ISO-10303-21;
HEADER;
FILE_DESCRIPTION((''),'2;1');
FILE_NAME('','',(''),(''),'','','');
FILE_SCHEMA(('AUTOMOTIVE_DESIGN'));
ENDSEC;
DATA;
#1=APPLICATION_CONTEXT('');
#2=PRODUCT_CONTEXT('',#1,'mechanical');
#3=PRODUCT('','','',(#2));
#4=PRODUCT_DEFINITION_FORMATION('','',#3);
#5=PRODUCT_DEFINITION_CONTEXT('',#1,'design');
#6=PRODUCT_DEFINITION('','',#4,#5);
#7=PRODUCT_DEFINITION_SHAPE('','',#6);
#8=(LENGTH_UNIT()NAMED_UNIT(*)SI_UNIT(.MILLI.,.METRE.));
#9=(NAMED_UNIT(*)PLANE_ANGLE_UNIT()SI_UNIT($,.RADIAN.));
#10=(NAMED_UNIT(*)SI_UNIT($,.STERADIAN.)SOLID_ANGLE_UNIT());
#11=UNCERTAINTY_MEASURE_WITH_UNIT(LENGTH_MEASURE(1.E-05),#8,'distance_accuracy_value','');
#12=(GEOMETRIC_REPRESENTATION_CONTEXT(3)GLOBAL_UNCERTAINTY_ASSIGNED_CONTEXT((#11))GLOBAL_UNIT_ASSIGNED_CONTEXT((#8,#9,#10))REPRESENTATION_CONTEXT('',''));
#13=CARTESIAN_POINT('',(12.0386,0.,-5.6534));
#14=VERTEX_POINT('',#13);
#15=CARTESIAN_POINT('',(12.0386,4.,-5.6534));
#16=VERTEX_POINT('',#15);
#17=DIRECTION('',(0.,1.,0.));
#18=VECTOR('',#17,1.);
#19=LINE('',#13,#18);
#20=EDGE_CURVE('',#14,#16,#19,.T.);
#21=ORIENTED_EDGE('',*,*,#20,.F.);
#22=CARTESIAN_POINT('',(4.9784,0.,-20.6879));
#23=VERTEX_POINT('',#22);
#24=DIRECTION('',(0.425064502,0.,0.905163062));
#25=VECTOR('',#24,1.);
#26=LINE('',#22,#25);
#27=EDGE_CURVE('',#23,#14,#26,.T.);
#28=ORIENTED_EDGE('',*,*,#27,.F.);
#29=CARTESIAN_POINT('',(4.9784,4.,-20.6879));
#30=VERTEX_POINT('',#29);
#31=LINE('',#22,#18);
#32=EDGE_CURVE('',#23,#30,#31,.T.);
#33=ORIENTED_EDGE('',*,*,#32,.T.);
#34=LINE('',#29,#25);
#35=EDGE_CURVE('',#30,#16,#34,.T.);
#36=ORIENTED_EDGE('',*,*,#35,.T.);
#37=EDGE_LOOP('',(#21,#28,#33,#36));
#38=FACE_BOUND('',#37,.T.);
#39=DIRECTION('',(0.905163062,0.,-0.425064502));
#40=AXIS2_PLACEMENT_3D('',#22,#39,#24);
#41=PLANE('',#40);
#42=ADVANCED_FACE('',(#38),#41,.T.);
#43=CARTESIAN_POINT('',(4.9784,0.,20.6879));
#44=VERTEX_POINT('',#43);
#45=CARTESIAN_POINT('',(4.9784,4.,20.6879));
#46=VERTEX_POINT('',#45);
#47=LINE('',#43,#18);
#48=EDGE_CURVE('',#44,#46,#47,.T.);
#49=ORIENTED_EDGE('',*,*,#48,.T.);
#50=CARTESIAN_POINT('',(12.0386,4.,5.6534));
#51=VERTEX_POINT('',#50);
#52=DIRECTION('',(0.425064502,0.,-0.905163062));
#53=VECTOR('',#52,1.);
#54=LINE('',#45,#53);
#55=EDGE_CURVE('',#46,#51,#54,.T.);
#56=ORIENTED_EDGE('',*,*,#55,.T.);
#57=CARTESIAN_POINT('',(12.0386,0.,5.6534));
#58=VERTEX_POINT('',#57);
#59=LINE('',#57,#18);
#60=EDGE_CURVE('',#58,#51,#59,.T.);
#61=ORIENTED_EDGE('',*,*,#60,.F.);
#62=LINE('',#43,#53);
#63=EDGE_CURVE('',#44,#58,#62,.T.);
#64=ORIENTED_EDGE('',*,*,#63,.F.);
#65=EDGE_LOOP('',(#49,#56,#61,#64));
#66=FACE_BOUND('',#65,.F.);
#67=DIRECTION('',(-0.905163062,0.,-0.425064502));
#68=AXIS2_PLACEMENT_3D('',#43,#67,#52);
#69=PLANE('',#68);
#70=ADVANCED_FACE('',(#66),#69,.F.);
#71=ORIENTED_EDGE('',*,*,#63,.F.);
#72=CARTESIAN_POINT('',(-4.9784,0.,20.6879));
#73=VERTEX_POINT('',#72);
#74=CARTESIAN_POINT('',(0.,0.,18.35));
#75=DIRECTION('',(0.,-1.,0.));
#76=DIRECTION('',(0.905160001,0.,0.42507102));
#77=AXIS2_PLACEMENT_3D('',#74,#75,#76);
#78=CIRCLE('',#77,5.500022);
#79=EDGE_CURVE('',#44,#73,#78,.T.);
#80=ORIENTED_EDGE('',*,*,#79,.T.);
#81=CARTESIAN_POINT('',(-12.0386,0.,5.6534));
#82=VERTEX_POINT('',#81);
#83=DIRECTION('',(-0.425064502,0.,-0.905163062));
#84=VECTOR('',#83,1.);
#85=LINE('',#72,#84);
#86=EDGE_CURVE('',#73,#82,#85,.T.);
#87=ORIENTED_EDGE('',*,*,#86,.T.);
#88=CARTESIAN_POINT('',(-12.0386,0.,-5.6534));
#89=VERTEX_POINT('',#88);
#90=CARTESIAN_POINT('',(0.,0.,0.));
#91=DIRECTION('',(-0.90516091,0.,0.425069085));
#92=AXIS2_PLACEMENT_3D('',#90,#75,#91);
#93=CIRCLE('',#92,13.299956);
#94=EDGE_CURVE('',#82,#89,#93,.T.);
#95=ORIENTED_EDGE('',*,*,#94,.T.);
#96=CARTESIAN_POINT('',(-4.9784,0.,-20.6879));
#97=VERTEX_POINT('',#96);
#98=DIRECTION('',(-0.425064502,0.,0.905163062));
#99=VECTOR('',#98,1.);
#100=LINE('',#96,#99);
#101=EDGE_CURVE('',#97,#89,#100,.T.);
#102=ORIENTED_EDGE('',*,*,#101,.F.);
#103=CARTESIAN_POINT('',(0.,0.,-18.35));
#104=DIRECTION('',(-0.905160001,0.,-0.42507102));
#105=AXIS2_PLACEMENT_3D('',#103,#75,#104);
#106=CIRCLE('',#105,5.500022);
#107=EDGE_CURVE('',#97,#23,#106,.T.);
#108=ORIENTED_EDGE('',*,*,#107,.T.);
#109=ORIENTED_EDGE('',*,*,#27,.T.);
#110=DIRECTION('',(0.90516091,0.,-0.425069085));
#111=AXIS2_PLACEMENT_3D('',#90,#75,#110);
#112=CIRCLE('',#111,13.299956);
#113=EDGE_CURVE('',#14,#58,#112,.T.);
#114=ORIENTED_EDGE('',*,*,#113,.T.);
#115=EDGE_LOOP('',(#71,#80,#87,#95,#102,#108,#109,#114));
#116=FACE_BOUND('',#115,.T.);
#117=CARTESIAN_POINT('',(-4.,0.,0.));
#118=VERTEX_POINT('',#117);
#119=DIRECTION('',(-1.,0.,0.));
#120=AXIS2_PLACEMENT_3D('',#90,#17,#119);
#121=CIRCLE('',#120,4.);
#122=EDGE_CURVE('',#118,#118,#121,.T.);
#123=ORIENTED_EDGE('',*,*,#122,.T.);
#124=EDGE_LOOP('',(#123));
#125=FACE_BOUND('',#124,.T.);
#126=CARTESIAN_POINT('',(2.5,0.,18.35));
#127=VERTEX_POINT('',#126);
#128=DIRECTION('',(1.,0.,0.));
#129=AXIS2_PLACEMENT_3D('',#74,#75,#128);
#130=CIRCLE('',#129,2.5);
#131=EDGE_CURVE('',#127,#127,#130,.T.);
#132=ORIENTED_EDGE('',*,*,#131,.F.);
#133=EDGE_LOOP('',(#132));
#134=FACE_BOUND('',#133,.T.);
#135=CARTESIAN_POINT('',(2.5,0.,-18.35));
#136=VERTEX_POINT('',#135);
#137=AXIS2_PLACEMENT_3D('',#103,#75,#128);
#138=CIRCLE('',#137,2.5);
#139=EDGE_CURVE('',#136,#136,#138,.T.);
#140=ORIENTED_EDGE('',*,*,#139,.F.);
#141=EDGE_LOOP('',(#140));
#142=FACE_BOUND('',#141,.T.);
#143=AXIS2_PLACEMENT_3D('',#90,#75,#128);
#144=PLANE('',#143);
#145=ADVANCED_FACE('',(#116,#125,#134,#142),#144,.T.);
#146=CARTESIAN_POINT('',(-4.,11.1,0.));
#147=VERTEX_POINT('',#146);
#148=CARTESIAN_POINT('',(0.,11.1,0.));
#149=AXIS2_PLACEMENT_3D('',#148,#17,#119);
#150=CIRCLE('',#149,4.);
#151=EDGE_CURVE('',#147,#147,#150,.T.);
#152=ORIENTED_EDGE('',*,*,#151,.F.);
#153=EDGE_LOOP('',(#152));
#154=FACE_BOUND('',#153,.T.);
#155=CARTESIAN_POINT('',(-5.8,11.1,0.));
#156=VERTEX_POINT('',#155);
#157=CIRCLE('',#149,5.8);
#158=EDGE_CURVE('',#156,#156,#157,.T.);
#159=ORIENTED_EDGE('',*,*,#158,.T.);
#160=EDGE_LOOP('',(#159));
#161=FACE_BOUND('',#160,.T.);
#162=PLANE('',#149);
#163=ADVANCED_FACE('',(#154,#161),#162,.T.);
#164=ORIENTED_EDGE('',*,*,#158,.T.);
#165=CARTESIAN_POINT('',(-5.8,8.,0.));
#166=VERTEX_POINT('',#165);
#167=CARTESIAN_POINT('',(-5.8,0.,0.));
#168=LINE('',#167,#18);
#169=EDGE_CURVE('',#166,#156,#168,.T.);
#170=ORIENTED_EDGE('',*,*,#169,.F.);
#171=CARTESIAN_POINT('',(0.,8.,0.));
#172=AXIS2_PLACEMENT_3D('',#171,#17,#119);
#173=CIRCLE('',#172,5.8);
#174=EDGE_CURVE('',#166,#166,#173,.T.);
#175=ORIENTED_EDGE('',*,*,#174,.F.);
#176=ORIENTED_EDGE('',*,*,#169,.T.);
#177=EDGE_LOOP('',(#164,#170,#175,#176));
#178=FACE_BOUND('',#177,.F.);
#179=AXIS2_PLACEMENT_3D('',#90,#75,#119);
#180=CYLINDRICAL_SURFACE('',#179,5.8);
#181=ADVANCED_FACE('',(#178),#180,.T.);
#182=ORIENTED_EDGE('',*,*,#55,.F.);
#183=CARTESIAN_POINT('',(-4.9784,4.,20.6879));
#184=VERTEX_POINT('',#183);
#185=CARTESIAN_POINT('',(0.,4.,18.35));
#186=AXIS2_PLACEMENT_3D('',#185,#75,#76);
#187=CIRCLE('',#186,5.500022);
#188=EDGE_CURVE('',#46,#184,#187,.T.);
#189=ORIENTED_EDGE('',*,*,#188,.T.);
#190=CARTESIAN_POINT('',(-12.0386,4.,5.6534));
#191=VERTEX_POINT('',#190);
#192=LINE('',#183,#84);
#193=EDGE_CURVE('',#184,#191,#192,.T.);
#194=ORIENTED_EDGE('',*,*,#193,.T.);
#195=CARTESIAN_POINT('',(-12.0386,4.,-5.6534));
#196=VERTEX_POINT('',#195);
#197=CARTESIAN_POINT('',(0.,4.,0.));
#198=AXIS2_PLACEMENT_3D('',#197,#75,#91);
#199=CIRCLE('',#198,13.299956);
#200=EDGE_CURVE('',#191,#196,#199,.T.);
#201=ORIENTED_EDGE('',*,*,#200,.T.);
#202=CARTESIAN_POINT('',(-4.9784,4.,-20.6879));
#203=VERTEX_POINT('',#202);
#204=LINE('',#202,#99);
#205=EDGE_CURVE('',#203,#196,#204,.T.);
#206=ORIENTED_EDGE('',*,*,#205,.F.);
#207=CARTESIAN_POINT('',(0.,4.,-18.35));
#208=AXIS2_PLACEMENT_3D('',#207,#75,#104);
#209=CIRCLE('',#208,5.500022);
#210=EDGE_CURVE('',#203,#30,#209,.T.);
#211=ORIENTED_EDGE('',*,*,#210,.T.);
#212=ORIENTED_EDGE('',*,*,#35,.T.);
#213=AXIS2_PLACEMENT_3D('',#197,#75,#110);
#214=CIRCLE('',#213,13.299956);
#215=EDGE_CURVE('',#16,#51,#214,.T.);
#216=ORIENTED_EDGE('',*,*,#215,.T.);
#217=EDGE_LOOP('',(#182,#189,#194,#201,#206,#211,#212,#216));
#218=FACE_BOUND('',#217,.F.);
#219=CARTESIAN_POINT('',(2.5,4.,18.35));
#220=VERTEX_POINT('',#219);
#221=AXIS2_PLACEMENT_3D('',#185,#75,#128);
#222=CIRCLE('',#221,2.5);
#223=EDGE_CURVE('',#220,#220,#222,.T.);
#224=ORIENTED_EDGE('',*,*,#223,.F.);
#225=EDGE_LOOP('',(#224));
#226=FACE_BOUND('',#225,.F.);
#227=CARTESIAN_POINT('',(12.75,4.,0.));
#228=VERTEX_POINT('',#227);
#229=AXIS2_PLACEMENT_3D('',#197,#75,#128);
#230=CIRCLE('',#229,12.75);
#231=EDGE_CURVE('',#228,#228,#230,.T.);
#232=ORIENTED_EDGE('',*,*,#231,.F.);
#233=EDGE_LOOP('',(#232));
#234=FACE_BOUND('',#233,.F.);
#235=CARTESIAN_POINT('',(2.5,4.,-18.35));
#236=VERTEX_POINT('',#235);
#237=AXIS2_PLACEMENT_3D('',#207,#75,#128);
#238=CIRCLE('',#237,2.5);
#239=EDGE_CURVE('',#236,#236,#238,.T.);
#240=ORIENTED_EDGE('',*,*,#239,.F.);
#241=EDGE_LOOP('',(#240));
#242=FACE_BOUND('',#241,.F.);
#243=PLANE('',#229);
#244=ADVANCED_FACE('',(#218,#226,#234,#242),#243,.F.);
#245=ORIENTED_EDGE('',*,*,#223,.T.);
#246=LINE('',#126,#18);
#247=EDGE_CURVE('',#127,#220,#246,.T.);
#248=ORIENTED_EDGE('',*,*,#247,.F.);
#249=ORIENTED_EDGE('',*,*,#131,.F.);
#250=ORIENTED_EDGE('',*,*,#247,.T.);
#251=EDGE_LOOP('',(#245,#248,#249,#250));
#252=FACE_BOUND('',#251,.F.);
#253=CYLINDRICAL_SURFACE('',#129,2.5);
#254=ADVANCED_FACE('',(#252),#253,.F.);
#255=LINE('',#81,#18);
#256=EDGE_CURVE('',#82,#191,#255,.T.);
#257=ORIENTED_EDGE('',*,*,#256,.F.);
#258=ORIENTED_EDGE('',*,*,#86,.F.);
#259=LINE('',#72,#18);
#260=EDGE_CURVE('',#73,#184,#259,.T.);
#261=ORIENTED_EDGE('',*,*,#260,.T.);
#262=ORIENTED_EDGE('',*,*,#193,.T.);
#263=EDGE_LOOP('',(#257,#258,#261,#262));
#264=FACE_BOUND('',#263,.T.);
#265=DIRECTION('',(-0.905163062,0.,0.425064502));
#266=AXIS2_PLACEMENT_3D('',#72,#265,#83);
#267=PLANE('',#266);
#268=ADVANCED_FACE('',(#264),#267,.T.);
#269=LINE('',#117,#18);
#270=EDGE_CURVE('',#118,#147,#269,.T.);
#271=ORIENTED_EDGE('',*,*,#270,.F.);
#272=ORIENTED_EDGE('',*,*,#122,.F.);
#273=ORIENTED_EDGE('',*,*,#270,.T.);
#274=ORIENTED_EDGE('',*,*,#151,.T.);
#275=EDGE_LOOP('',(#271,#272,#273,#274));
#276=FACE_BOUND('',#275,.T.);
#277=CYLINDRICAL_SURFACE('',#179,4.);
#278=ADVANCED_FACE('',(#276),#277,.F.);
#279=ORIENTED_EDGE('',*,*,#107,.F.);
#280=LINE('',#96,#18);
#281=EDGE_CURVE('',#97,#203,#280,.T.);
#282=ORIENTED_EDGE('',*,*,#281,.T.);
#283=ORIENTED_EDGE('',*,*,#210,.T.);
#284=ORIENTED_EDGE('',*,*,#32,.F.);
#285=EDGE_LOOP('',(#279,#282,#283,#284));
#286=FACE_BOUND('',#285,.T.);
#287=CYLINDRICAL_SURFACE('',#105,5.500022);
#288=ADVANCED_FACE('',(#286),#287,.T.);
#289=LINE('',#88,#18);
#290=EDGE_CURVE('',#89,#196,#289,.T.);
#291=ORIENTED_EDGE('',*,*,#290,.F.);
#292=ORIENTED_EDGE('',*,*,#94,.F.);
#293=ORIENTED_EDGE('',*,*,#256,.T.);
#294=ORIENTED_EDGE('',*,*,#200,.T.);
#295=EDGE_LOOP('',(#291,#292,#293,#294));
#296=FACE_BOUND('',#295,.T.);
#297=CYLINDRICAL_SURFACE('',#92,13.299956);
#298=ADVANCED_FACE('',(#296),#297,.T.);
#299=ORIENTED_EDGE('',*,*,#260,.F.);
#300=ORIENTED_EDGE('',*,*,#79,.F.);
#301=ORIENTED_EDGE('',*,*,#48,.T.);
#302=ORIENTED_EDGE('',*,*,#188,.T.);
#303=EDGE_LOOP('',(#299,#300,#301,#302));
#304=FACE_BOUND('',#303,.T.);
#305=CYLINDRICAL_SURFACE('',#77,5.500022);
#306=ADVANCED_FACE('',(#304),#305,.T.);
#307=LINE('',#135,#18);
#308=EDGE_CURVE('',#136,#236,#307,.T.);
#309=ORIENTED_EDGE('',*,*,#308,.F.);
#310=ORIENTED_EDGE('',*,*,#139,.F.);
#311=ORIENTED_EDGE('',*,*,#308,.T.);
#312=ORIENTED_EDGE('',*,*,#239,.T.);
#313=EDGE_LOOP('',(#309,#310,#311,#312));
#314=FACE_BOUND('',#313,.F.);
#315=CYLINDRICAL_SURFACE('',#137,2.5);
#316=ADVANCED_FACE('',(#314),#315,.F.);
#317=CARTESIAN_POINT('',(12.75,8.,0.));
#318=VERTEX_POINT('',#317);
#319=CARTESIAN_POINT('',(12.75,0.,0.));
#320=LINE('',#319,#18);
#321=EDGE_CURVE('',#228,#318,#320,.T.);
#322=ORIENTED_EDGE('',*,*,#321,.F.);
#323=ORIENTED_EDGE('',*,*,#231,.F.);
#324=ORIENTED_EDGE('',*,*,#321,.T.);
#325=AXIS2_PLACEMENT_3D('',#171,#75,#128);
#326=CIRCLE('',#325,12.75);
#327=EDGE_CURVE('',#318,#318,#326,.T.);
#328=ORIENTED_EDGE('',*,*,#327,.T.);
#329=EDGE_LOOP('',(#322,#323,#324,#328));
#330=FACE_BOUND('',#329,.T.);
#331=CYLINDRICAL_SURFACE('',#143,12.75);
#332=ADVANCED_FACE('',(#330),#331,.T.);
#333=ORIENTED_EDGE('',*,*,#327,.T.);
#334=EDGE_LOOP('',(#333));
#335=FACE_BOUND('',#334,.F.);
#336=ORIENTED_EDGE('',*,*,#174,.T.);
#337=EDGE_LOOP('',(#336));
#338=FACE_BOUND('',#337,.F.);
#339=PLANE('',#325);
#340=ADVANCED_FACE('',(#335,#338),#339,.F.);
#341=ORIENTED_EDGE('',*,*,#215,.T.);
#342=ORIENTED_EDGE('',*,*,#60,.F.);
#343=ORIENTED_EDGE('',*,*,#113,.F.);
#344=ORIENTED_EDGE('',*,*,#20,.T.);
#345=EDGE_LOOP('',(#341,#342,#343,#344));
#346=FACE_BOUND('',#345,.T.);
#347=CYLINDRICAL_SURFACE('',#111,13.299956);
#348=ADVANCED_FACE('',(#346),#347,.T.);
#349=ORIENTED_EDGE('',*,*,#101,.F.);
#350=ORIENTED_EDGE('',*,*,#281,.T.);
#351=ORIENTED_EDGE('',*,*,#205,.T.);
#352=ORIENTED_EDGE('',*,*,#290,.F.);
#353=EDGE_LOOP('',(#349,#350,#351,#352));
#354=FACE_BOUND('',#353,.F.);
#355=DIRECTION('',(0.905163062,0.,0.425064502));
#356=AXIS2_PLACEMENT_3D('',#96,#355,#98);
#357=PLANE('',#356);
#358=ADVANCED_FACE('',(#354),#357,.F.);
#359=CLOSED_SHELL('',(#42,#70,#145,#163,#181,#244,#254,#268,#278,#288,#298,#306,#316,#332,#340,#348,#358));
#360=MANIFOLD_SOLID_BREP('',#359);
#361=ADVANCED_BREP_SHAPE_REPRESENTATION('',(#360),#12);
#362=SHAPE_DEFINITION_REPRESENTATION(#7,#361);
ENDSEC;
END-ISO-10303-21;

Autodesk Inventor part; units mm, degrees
ref_plane "YZ Plane" through (0, 0, 0) normal (1, 0, 0) x (0, 1, 0)
ref_plane "XZ Plane" through (0, 0, 0) normal (0, 1, 0) x (-1, 0, 0)
ref_plane "XY Plane" through (0, 0, 0) normal (0, 0, 1) x (1, 0, 0)
sketch "Sketch1" plane through (0, 0, 0) normal (0, 1, 0) x (-1, 0, 0)
  circle A0 centre (0, -18.35) radius 2.5
  circle A1 centre (0, 18.35) radius 2.5
  circle A2 centre (0, 0) radius 4
  circle A3 centre (0, 0) radius 5.8
  circle A4 centre (0, 0) radius 12.75
  line L0 (4.9784, -20.6879) -> (12.0386, -5.6534)
  line L1 (-4.9784, -20.6879) -> (-12.0386, -5.6534)
  line L2 (4.9784, 20.6879) -> (12.0386, 5.6534)
  line L3 (-4.9784, 20.6879) -> (-12.0386, 5.6534)
  arc A5 (-4.9784, -20.6879) -> (4.9784, -20.6879) centre (0, -18.35) ccw
  arc A6 (4.9784, 20.6879) -> (-4.9784, 20.6879) centre (0, 18.35) ccw
  arc A7 (-12.0386, 5.6534) -> (-12.0386, -5.6534) centre (0, 0) ccw
  arc A8 (12.0386, -5.6534) -> (12.0386, 5.6534) centre (0, 0) ccw
  dimension "d2" = 18.35
  dimension "d4" = 18.35
  dimension "d5" = 5
  dimension "d6" = 5
  dimension "d7" = 8
  dimension "d8" = 11.6
  dimension "d9" = 25.5
  dimension "d10" = 0
  dimension "d12" = 0
extrude "Extrusion1" add sketch "Sketch1" along normal blind 11.1 contours A3
sketch "Sketch2" plane through (0, 0, 0) normal (0, -1, 0) x (1, 0, 0)
  circle A0 centre (0, -18.35) radius 2.5
  circle A1 centre (0, 18.35) radius 2.5
  circle A2 centre (0, 0) radius 4
  circle A3 centre (0, 0) radius 5.8
  circle A4 centre (0, 0) radius 12.75
  line L0 (4.9784, -20.6879) -> (12.0386, -5.6534)
  line L1 (-4.9784, -20.6879) -> (-12.0386, -5.6534)
  line L2 (4.9784, 20.6879) -> (12.0386, 5.6534)
  line L3 (-4.9784, 20.6879) -> (-12.0386, 5.6534)
  arc A5 (-4.9784, -20.6879) -> (4.9784, -20.6879) centre (0, -18.35) ccw
  arc A6 (4.9784, 20.6879) -> (-4.9784, 20.6879) centre (0, 18.35) ccw
  arc A7 (-12.0386, 5.6534) -> (-12.0386, -5.6534) centre (0, 0) ccw
  arc A8 (12.0386, -5.6534) -> (12.0386, 5.6534) centre (0, 0) ccw
  dimension "d15" = 18.35
  dimension "d16" = 18.35
  dimension "d17" = 5
  dimension "d18" = 5
  dimension "d19" = 8
  dimension "d20" = 11.6
  dimension "d21" = 25.5
  dimension "d22" = 0
  dimension "d23" = 0
  dimension "d24" = 0
  dimension "d25" = 0
extrude "Extrusion2" add sketch "Sketch2" against normal blind 8 contours A4
sketch "Sketch3" plane through (0, 0, 0) normal (0, -1, 0) x (1, 0, 0)
  circle A0 centre (0, -18.35) radius 2.5
  circle A1 centre (0, 18.35) radius 2.5
  circle A2 centre (0, 0) radius 4
  line L0 (4.9784, -20.6879) -> (12.0386, -5.6534)
  line L1 (-4.9784, -20.6879) -> (-12.0386, -5.6534)
  line L2 (4.9784, 20.6879) -> (12.0386, 5.6534)
  line L3 (-4.9784, 20.6879) -> (-12.0386, 5.6534)
  arc A3 (-4.9784, -20.6879) -> (4.9784, -20.6879) centre (0, -18.35) ccw
  arc A4 (4.9784, 20.6879) -> (-4.9784, 20.6879) centre (0, 18.35) ccw
  arc A5 (-12.0386, 5.6534) -> (-12.0386, -5.6534) centre (0, 0) ccw
  arc A6 (12.0386, -5.6534) -> (12.0386, 5.6534) centre (0, 0) ccw
  dimension "d28" = 18.35
  dimension "d29" = 18.35
  dimension "d30" = 5
  dimension "d31" = 5
  dimension "d32" = 8
  dimension "d35" = 0
  dimension "d36" = 0
  dimension "d37" = 0
  dimension "d38" = 0
extrude "Extrusion3" add sketch "Sketch3" against normal blind 4
ref_plane "Work Plane1" through (0, 4, 23.85) normal (1, 0, 0) x (0, -1, 0)
equation "\"d4\" = d2"
equation "\"d16\" = d15"
equation "\"d29\" = d28"
properties part number "Bearing"
